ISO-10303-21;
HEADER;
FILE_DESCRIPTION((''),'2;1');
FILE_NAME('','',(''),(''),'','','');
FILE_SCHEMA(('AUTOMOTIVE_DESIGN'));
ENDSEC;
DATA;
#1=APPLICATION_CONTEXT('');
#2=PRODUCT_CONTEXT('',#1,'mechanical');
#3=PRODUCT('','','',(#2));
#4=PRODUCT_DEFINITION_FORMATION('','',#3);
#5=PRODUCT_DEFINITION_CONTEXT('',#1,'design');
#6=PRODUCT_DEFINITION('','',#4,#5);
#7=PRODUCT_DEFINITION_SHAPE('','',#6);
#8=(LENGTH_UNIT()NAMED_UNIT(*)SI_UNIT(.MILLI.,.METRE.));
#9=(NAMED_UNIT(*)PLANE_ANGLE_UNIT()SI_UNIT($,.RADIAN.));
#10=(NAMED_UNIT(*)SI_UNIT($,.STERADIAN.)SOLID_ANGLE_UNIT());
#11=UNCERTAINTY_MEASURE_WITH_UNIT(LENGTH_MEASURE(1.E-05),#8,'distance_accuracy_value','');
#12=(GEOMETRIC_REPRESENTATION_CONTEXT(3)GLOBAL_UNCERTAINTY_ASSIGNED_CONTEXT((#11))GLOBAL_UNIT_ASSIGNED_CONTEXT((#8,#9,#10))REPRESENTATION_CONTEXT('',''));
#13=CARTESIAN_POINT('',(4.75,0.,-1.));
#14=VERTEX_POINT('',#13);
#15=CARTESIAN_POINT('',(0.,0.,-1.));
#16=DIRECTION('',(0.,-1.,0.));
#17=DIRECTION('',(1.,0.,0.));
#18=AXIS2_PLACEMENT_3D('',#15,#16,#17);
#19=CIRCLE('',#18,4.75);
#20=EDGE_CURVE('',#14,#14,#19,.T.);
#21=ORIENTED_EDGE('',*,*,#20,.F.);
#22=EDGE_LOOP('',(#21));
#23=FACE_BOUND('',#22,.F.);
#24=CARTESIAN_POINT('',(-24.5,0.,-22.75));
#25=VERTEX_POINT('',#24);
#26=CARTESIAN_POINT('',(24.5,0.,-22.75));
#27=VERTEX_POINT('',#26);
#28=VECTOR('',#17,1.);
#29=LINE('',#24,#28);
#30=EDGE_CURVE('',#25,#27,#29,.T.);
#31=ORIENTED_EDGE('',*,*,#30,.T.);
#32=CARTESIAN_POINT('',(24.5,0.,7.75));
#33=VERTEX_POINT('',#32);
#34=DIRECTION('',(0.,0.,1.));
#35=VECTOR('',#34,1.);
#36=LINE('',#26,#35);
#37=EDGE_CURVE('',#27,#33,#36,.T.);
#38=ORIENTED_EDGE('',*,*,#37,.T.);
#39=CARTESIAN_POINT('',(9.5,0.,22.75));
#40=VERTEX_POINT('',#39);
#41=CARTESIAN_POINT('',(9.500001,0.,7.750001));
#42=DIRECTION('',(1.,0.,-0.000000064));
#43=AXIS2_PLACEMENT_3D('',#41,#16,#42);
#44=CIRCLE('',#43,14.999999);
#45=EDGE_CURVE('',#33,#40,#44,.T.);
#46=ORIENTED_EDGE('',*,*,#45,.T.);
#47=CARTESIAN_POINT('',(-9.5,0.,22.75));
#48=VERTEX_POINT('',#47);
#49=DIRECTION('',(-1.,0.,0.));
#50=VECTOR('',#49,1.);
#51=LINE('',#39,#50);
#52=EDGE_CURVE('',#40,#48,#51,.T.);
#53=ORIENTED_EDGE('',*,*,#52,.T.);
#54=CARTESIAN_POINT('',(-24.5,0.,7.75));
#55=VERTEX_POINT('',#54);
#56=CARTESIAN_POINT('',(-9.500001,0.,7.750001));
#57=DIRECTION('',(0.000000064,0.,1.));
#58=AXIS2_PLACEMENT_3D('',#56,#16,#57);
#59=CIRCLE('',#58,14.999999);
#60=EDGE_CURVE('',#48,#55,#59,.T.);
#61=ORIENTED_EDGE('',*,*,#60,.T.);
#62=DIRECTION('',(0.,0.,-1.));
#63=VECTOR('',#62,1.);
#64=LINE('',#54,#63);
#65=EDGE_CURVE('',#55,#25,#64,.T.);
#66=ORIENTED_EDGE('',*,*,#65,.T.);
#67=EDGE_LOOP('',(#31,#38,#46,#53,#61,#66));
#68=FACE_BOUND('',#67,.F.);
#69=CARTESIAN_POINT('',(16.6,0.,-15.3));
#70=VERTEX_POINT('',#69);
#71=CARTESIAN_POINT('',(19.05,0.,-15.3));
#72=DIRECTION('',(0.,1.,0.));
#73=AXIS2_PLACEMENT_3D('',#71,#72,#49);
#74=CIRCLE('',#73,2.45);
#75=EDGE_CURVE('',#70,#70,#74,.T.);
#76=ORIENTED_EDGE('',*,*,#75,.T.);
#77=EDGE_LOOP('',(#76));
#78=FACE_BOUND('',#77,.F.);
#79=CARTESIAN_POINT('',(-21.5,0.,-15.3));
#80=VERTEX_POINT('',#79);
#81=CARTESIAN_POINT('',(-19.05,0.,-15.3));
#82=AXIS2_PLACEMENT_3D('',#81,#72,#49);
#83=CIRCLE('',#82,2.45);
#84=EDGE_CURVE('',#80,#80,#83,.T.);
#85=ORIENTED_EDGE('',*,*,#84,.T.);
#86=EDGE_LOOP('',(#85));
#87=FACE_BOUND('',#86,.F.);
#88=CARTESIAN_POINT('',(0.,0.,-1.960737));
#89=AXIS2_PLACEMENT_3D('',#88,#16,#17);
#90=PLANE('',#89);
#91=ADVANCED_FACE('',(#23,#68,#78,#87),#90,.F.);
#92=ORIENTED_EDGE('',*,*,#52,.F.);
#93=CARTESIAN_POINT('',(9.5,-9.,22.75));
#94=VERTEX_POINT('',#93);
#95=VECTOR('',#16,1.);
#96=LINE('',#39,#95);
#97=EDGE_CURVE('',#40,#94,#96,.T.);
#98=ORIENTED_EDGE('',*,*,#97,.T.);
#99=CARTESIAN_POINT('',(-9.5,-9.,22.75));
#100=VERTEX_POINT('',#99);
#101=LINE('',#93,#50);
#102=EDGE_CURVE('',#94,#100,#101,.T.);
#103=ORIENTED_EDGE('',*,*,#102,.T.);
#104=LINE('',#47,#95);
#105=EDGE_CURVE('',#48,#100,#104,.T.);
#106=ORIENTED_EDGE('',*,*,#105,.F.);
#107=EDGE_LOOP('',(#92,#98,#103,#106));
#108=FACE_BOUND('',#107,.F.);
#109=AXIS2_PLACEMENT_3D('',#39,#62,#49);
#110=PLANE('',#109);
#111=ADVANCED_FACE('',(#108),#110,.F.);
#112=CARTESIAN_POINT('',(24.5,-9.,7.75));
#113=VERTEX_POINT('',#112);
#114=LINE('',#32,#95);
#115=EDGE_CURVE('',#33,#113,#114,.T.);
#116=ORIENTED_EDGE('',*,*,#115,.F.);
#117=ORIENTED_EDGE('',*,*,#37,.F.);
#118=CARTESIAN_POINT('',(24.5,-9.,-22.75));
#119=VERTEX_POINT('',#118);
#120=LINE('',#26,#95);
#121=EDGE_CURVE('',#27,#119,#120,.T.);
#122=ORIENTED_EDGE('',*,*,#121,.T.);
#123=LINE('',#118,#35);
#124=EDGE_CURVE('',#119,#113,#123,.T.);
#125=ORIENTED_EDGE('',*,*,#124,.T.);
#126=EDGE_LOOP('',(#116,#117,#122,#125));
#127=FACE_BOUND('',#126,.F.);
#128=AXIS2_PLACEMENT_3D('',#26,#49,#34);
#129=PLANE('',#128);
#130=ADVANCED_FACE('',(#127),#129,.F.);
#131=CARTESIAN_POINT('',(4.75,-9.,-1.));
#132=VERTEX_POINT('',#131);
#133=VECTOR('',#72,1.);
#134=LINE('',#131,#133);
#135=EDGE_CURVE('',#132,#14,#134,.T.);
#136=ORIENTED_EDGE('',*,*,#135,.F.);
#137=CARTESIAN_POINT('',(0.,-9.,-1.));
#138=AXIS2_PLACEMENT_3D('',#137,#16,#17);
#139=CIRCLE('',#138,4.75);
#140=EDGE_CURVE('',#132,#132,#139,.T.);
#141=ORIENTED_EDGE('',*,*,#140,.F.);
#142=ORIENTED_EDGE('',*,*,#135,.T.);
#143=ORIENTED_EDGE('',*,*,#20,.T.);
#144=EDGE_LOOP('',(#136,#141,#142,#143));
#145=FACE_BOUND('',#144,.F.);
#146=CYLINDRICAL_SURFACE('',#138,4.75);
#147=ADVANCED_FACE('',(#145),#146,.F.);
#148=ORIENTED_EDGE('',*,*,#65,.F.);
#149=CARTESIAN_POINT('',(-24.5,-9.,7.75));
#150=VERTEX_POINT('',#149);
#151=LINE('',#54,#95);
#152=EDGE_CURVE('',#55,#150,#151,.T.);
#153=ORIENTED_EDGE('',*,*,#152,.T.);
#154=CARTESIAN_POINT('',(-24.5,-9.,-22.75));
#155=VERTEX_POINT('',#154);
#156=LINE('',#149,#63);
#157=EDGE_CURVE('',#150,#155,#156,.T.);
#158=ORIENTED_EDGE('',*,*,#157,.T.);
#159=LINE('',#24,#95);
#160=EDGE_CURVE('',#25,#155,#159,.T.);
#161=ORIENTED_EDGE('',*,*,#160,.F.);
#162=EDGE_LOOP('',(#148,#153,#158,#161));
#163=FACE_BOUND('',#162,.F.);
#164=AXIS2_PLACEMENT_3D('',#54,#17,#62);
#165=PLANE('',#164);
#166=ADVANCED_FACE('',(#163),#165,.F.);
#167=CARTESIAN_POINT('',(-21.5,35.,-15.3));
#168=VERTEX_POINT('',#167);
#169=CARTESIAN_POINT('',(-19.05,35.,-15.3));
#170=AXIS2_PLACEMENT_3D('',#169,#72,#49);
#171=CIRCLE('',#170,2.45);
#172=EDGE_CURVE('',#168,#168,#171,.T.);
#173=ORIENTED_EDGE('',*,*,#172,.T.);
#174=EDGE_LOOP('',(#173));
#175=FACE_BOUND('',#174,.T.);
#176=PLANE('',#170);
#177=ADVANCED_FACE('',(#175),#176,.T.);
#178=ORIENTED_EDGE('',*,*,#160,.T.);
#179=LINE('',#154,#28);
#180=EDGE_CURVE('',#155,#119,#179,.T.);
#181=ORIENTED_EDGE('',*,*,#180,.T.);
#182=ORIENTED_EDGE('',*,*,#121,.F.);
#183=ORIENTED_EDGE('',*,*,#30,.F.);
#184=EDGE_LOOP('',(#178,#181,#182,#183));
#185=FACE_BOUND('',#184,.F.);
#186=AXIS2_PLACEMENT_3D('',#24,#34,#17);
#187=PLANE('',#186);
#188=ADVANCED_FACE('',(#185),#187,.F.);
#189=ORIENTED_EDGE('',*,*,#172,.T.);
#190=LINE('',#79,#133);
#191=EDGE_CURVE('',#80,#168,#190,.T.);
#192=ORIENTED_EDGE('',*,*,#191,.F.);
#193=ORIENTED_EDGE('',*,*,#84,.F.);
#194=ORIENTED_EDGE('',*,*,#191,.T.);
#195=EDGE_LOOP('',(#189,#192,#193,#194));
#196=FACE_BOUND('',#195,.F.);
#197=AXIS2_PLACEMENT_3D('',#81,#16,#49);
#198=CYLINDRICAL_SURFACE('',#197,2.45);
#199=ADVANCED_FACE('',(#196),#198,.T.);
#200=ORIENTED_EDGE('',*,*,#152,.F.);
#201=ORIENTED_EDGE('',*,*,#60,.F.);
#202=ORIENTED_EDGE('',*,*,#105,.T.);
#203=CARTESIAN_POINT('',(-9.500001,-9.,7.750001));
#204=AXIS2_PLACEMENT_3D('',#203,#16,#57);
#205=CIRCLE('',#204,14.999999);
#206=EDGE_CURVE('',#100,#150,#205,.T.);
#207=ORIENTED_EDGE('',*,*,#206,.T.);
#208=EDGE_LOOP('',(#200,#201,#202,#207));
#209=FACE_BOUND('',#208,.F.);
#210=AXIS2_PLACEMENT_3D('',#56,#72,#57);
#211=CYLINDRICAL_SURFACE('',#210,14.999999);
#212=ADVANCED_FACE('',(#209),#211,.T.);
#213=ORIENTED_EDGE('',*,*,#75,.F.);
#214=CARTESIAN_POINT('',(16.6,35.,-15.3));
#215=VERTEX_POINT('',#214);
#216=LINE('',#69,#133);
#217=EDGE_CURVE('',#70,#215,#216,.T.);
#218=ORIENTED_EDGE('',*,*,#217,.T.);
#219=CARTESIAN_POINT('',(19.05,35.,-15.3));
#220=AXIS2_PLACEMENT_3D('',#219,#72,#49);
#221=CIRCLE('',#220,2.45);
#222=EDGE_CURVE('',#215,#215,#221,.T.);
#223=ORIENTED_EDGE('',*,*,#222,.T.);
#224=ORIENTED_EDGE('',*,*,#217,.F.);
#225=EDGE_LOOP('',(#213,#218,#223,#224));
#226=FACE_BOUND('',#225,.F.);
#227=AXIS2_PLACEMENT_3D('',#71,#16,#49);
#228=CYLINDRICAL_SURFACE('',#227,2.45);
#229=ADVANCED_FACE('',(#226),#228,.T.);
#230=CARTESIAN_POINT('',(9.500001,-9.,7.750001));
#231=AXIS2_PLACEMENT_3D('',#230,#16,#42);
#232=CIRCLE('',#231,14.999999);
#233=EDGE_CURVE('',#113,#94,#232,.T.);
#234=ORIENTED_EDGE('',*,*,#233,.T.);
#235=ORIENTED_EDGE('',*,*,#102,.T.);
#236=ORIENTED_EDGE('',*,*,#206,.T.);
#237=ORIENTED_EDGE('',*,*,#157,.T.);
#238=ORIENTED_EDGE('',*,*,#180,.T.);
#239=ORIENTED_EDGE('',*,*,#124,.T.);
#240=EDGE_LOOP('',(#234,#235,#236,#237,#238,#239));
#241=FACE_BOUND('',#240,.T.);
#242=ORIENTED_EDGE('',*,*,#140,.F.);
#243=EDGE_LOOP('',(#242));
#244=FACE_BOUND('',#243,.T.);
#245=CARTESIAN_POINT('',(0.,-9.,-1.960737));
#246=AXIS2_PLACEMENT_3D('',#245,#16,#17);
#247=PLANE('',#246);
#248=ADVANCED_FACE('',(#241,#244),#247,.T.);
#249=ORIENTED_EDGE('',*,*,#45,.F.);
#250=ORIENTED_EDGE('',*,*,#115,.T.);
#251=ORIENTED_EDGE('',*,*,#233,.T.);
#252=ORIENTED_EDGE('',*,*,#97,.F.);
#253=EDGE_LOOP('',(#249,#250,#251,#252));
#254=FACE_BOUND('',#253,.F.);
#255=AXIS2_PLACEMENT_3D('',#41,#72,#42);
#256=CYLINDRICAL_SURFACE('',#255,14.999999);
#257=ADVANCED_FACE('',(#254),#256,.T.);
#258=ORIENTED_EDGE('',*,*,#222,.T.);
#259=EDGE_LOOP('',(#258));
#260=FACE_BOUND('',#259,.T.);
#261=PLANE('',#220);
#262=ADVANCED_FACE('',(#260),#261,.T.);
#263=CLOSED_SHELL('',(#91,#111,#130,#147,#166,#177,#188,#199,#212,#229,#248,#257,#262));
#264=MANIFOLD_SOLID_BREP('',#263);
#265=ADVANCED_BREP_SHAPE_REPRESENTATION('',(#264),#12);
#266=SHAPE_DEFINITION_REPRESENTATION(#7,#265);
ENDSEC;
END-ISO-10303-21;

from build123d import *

# Parameters (mm, degrees)
F1_DEPTH = 9
F2_R     = 4.75
F3_DEPTH = 25
F4_R     = 2.45
F5_DEPTH = 35


with BuildPart() as f1:
    # F0 (on Front) → F1 (new body)
    with BuildSketch(Plane.XZ):
        with BuildLine():
            Line((-24.5, -22.75), (24.5, -22.75))
            Line((24.5, -22.75), (24.5, 7.75))
            ThreePointArc((24.5, 7.75), (20.106602, 18.356602), (9.5, 22.75))
            Line((9.5, 22.75), (-9.5, 22.75))
            ThreePointArc((-9.5, 22.75), (-20.106602, 18.356602), (-24.5, 7.75))
            Line((-24.5, 7.75), (-24.5, -22.75))
        make_face()
    extrude(amount=F1_DEPTH)

    # F2 (on face) → F3 (cut)
    with BuildSketch(Plane.XZ.offset(9)):
        with Locations((0, -1)):
            Circle(F2_R)
    extrude(amount=-F3_DEPTH, mode=Mode.SUBTRACT)

    # F4 (on face) → F5 (join)
    with BuildSketch(Plane(origin=(0, 0, 0), x_dir=(-1, 0, 0), z_dir=(0, 1, 0))):
        with Locations((-19.05, -15.3)):
            Circle(F4_R)
        with Locations((19.05, -15.3)):
            Circle(F4_R)
    extrude(amount=F5_DEPTH)


solid = f1.part
